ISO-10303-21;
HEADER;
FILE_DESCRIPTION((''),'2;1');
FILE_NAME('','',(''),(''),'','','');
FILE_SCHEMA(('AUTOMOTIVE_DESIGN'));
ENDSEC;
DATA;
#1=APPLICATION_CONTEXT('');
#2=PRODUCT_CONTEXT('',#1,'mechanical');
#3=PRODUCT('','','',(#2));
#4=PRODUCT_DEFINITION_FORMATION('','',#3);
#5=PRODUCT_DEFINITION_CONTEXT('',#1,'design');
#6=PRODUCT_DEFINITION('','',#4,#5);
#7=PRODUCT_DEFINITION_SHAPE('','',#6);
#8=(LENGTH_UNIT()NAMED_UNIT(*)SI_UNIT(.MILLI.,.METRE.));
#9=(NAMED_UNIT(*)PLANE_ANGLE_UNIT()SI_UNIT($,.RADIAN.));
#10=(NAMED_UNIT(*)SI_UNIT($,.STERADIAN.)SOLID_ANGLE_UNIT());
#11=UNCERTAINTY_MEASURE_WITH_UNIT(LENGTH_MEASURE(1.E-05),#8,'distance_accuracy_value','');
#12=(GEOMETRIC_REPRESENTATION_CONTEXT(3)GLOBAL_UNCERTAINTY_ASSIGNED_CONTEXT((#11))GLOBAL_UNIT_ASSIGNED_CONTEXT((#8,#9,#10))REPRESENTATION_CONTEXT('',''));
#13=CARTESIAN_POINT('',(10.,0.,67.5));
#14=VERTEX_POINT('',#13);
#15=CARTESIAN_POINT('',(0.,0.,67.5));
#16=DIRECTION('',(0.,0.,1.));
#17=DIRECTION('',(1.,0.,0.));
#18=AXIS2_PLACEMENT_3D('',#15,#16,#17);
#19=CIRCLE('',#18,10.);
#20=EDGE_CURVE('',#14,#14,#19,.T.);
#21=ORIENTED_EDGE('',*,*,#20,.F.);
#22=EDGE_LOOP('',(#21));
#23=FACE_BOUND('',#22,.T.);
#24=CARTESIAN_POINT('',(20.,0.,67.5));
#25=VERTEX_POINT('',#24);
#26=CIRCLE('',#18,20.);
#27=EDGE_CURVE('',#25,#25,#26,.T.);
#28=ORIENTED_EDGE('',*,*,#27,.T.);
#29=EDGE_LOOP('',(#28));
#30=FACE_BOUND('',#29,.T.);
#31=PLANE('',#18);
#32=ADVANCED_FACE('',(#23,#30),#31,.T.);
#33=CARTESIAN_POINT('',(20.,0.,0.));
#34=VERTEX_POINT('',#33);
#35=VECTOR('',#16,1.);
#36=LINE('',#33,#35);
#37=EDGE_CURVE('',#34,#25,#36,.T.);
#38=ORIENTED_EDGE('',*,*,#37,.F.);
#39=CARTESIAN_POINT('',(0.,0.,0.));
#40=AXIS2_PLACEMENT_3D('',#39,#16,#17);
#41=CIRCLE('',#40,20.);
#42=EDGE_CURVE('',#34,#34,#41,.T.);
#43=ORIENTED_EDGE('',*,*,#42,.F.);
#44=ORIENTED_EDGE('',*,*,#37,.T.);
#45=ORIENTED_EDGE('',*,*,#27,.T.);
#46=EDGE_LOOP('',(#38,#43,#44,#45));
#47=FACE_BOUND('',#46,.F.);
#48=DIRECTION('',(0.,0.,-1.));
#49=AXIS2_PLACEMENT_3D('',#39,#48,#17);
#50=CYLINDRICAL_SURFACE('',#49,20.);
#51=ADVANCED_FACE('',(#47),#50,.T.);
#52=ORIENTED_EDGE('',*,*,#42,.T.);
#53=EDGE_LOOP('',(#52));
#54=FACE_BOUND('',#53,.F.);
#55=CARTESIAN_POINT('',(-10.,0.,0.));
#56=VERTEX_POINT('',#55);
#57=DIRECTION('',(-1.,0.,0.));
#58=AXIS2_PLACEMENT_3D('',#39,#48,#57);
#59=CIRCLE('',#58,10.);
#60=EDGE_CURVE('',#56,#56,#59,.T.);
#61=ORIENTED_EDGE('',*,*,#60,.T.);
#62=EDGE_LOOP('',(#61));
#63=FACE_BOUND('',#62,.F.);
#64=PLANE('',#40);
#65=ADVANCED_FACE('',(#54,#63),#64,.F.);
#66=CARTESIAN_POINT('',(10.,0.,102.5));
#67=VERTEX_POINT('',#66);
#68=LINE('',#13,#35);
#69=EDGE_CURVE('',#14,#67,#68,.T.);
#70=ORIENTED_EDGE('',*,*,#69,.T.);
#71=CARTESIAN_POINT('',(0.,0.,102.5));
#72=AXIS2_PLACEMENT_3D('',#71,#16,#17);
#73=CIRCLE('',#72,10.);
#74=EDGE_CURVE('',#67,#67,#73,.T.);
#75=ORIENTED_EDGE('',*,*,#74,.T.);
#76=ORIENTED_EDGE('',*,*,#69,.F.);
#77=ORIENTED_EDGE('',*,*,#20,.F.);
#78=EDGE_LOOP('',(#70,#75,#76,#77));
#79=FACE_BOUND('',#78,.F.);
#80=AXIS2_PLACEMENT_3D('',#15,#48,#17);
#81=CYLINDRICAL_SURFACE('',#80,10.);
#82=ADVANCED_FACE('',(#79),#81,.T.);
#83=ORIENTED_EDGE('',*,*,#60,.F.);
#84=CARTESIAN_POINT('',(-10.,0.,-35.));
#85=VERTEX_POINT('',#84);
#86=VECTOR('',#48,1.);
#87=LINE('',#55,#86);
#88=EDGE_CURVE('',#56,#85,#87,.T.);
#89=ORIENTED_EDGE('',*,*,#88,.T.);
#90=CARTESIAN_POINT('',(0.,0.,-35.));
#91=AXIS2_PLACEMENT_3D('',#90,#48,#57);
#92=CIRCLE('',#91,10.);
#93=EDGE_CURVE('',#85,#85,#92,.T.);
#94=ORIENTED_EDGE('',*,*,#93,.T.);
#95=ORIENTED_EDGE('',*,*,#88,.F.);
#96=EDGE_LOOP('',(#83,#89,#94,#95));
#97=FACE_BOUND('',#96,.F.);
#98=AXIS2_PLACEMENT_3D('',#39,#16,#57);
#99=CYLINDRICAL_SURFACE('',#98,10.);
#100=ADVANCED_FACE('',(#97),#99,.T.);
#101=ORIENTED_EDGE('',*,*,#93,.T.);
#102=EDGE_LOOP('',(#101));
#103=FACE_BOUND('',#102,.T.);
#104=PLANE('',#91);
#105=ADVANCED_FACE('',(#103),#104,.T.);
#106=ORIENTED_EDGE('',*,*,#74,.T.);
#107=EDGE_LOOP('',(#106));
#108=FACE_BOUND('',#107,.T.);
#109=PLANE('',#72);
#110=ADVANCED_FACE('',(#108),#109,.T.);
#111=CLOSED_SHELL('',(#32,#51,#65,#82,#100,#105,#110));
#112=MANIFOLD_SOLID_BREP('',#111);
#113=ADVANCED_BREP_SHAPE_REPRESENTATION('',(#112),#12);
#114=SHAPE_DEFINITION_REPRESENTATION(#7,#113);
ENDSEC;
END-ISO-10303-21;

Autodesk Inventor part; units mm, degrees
ref_plane "YZ Plane" through (0, 0, 0) normal (1, 0, 0) x (0, 1, 0)
ref_plane "XZ Plane" through (0, 0, 0) normal (0, 1, 0) x (-1, 0, 0)
ref_plane "XY Plane" through (0, 0, 0) normal (0, 0, 1) x (1, 0, 0)
sketch "Sketch1" plane through (0, 0, 0) normal (0, 0, 1) x (1, 0, 0)
  circle A0 centre (0, 0) radius 20
  dimension "d0" = 40
extrude "Extrusion1" add sketch "Sketch1" along normal blind 67.5
sketch "Sketch2" plane through (0, 0, 67.5) normal (0, 0, 1) x (1, 0, 0)
  circle A0 centre (0, 0) radius 10
  dimension "d3" = 20
extrude "Extrusion2" add sketch "Sketch2" along normal blind 35
sketch "Sketch3" plane through (0, 0, 0) normal (0, 0, -1) x (-1, 0, 0)
  circle A0 centre (0, 0) radius 10
  dimension "d8" = 20
extrude "Extrusion3" add sketch "Sketch3" along normal blind 35
properties part number "rolling2"
